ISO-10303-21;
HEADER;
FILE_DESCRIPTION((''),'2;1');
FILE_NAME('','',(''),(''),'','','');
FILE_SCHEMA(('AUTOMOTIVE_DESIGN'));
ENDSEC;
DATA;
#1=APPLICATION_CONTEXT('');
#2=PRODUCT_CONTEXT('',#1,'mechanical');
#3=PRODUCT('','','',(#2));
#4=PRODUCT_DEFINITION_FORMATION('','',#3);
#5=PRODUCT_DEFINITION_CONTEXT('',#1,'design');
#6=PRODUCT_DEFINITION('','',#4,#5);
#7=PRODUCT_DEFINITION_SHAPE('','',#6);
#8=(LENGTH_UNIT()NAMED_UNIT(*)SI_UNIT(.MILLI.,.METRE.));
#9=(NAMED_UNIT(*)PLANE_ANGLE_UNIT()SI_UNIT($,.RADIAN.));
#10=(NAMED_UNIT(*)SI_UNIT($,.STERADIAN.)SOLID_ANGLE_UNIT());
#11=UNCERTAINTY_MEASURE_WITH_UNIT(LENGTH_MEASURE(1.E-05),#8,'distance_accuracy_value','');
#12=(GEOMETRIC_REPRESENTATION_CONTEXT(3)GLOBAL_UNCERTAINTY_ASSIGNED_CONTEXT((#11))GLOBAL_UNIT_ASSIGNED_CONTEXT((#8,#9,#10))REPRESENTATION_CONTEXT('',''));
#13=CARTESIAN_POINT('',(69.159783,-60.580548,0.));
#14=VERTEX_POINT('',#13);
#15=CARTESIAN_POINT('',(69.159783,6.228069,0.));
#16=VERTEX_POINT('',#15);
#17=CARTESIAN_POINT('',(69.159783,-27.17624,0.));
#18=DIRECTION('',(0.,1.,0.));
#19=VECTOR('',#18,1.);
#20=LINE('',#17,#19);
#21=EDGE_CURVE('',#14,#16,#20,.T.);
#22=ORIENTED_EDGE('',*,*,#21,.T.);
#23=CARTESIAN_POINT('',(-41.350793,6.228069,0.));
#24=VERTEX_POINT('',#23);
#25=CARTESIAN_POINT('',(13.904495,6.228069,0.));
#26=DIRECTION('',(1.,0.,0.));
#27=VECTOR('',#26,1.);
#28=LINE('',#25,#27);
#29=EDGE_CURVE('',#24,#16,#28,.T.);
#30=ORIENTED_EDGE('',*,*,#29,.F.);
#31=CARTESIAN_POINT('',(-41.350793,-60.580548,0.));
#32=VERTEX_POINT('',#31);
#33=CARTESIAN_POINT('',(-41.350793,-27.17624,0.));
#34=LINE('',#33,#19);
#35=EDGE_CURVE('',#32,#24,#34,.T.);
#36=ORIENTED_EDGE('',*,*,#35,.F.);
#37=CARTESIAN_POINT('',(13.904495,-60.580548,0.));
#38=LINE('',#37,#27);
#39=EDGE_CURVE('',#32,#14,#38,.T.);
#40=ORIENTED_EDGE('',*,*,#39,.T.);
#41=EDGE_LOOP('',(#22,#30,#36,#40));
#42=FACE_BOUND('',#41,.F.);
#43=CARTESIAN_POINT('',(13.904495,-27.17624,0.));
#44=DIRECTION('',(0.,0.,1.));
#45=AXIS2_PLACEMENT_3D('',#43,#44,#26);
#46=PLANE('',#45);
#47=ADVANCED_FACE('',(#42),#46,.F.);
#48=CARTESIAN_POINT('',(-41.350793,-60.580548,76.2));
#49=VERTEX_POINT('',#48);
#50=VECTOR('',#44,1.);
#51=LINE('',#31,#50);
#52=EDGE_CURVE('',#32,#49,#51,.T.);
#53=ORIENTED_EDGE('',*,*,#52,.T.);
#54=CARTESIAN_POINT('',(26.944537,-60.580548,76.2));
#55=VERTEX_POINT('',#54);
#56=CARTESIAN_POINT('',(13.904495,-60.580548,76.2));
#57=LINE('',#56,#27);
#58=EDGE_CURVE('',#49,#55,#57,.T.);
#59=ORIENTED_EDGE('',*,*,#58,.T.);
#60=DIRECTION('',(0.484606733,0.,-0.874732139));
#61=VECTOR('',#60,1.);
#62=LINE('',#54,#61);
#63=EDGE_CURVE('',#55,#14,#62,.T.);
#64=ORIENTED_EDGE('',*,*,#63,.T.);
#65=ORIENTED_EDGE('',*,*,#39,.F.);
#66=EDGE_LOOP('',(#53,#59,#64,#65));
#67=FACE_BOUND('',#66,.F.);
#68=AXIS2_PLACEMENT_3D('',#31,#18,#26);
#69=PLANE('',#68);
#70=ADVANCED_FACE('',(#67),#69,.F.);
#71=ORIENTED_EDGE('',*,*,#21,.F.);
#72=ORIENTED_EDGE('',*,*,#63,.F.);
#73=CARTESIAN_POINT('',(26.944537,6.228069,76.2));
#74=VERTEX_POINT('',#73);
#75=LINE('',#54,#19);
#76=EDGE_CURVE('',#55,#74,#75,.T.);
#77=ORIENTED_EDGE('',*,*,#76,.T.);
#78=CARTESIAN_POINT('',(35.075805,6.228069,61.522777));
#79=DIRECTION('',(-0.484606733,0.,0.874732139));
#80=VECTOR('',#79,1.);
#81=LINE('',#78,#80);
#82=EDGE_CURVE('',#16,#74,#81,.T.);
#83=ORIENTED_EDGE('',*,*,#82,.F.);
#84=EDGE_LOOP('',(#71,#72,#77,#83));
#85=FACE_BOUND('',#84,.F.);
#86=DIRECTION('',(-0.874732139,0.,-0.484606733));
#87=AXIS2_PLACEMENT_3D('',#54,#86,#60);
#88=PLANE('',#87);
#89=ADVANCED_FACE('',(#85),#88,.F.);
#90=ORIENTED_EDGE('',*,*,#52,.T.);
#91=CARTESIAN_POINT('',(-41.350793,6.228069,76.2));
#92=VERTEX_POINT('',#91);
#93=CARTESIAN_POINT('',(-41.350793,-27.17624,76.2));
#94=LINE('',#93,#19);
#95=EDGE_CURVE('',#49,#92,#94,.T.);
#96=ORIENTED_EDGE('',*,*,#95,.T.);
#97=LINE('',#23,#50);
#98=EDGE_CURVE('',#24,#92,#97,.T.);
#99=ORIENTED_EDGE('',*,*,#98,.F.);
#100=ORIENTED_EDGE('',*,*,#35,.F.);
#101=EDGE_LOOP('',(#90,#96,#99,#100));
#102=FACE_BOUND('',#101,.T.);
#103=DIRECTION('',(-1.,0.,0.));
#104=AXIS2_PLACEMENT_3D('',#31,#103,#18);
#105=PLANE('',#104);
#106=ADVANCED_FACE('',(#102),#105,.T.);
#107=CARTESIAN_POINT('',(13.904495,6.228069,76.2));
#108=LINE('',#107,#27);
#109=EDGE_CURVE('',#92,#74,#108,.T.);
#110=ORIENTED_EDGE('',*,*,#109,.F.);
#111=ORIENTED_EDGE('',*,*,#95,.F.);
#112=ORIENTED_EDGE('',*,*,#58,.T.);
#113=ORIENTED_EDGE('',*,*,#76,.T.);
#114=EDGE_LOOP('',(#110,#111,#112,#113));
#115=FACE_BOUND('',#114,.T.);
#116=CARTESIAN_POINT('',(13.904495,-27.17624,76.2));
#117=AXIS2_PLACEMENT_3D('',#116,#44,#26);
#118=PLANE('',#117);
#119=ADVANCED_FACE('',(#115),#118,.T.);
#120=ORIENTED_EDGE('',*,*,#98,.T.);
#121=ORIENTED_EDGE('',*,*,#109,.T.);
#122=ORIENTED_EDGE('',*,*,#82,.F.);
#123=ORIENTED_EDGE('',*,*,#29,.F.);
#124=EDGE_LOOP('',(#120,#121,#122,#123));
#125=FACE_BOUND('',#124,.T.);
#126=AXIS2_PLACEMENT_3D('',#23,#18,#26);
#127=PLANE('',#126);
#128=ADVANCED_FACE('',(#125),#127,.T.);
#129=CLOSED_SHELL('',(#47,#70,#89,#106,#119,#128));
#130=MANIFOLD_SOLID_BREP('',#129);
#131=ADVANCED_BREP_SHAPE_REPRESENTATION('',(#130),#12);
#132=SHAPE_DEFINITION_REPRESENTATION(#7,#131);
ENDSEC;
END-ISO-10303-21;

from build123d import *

# Parameters (mm, degrees)
F0_W     = 110.5105765164
F0_H     = 66.8086167425
F1_DEPTH = 76.2
F3_DEPTH = 94.488


with BuildPart() as f1:
    # F0 (on Top) → F1 (new body)
    with BuildSketch(Plane.XY):
        with Locations((13.9044951648, -27.1762395278)):
            Rectangle(F0_W, F0_H)
    extrude(amount=F1_DEPTH)

    # F2 (on face) → F3 (cut)
    with BuildSketch(Plane.XZ.offset(60.580547899)):
        Polygon((26.9445367157, 76.2), (69.1597834229, 0), (69.1597834229, 5.741244182), (69.1597834229, 76.2), align=None)
    extrude(amount=-F3_DEPTH, mode=Mode.SUBTRACT)


solid = f1.part
